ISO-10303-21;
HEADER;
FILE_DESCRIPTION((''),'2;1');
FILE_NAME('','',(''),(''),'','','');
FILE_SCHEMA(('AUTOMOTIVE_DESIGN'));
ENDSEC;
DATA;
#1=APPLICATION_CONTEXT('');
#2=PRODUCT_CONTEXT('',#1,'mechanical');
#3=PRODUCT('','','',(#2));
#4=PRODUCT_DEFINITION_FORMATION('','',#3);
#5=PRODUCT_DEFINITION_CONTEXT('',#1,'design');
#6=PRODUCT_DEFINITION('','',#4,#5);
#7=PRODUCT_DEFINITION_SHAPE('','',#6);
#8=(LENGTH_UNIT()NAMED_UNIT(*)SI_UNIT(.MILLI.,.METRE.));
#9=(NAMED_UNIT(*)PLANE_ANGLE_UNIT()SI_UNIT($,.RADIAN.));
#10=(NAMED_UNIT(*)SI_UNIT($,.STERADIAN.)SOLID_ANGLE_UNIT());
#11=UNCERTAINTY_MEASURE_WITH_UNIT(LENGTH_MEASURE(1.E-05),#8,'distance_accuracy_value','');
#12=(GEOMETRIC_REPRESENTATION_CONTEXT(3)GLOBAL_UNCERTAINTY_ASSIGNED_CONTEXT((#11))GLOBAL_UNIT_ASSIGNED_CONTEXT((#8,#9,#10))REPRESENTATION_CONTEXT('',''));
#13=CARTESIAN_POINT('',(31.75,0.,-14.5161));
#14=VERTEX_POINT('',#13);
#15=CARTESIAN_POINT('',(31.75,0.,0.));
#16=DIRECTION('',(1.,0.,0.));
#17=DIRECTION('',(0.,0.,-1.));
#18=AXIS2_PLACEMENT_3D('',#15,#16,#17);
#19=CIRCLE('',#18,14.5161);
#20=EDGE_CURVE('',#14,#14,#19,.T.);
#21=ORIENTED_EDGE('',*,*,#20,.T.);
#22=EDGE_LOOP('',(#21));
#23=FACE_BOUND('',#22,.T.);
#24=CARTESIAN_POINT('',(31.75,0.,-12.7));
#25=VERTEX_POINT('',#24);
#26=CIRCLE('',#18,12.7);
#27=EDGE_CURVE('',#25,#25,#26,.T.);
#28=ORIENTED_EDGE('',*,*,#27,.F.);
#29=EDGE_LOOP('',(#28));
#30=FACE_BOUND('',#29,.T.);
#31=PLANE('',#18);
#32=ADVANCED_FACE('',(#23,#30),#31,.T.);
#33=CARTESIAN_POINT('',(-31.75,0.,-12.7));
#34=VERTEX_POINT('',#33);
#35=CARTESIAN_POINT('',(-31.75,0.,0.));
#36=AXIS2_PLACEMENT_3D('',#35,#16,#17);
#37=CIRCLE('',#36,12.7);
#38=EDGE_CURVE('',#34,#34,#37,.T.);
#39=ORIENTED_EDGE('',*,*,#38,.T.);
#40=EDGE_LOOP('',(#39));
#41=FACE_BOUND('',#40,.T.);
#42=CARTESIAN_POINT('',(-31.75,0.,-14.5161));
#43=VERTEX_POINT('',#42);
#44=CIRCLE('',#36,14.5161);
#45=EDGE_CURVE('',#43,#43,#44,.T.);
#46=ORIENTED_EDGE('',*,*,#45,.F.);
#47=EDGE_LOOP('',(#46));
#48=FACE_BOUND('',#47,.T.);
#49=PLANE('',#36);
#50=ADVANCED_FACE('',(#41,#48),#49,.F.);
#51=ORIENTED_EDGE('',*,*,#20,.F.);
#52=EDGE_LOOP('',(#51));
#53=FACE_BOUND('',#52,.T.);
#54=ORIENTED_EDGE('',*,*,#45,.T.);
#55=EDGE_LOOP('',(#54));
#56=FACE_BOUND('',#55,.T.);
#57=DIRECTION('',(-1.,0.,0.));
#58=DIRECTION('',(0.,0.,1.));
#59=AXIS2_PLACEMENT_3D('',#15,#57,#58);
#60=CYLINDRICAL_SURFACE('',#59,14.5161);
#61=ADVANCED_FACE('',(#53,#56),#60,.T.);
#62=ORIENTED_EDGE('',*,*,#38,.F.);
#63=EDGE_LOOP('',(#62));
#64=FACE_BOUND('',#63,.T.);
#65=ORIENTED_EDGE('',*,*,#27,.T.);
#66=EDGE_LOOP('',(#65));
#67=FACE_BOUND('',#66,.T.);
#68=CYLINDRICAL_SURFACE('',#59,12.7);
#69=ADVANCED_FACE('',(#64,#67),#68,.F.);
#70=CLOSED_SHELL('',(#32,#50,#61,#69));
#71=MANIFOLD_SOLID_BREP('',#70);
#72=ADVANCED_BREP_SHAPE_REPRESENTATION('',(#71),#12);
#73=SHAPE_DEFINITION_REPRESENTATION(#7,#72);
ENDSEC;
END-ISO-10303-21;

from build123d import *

# Parameters (mm, degrees)
SKETCH1_R           = 14.5161
SKETCH1_R_2         = 12.7
BOSS_EXTRUDE1_DEPTH = 31.75


with BuildPart() as part:
    # Sketch1 → Boss-Extrude1 (new body, symmetric)
    with BuildSketch(Plane(origin=(0, 0, 0), x_dir=(0, 0, -1), z_dir=(1, 0, 0))):
        Circle(SKETCH1_R)
        Circle(SKETCH1_R_2, mode=Mode.SUBTRACT)
    extrude(amount=BOSS_EXTRUDE1_DEPTH, both=True)


solid = part.part
